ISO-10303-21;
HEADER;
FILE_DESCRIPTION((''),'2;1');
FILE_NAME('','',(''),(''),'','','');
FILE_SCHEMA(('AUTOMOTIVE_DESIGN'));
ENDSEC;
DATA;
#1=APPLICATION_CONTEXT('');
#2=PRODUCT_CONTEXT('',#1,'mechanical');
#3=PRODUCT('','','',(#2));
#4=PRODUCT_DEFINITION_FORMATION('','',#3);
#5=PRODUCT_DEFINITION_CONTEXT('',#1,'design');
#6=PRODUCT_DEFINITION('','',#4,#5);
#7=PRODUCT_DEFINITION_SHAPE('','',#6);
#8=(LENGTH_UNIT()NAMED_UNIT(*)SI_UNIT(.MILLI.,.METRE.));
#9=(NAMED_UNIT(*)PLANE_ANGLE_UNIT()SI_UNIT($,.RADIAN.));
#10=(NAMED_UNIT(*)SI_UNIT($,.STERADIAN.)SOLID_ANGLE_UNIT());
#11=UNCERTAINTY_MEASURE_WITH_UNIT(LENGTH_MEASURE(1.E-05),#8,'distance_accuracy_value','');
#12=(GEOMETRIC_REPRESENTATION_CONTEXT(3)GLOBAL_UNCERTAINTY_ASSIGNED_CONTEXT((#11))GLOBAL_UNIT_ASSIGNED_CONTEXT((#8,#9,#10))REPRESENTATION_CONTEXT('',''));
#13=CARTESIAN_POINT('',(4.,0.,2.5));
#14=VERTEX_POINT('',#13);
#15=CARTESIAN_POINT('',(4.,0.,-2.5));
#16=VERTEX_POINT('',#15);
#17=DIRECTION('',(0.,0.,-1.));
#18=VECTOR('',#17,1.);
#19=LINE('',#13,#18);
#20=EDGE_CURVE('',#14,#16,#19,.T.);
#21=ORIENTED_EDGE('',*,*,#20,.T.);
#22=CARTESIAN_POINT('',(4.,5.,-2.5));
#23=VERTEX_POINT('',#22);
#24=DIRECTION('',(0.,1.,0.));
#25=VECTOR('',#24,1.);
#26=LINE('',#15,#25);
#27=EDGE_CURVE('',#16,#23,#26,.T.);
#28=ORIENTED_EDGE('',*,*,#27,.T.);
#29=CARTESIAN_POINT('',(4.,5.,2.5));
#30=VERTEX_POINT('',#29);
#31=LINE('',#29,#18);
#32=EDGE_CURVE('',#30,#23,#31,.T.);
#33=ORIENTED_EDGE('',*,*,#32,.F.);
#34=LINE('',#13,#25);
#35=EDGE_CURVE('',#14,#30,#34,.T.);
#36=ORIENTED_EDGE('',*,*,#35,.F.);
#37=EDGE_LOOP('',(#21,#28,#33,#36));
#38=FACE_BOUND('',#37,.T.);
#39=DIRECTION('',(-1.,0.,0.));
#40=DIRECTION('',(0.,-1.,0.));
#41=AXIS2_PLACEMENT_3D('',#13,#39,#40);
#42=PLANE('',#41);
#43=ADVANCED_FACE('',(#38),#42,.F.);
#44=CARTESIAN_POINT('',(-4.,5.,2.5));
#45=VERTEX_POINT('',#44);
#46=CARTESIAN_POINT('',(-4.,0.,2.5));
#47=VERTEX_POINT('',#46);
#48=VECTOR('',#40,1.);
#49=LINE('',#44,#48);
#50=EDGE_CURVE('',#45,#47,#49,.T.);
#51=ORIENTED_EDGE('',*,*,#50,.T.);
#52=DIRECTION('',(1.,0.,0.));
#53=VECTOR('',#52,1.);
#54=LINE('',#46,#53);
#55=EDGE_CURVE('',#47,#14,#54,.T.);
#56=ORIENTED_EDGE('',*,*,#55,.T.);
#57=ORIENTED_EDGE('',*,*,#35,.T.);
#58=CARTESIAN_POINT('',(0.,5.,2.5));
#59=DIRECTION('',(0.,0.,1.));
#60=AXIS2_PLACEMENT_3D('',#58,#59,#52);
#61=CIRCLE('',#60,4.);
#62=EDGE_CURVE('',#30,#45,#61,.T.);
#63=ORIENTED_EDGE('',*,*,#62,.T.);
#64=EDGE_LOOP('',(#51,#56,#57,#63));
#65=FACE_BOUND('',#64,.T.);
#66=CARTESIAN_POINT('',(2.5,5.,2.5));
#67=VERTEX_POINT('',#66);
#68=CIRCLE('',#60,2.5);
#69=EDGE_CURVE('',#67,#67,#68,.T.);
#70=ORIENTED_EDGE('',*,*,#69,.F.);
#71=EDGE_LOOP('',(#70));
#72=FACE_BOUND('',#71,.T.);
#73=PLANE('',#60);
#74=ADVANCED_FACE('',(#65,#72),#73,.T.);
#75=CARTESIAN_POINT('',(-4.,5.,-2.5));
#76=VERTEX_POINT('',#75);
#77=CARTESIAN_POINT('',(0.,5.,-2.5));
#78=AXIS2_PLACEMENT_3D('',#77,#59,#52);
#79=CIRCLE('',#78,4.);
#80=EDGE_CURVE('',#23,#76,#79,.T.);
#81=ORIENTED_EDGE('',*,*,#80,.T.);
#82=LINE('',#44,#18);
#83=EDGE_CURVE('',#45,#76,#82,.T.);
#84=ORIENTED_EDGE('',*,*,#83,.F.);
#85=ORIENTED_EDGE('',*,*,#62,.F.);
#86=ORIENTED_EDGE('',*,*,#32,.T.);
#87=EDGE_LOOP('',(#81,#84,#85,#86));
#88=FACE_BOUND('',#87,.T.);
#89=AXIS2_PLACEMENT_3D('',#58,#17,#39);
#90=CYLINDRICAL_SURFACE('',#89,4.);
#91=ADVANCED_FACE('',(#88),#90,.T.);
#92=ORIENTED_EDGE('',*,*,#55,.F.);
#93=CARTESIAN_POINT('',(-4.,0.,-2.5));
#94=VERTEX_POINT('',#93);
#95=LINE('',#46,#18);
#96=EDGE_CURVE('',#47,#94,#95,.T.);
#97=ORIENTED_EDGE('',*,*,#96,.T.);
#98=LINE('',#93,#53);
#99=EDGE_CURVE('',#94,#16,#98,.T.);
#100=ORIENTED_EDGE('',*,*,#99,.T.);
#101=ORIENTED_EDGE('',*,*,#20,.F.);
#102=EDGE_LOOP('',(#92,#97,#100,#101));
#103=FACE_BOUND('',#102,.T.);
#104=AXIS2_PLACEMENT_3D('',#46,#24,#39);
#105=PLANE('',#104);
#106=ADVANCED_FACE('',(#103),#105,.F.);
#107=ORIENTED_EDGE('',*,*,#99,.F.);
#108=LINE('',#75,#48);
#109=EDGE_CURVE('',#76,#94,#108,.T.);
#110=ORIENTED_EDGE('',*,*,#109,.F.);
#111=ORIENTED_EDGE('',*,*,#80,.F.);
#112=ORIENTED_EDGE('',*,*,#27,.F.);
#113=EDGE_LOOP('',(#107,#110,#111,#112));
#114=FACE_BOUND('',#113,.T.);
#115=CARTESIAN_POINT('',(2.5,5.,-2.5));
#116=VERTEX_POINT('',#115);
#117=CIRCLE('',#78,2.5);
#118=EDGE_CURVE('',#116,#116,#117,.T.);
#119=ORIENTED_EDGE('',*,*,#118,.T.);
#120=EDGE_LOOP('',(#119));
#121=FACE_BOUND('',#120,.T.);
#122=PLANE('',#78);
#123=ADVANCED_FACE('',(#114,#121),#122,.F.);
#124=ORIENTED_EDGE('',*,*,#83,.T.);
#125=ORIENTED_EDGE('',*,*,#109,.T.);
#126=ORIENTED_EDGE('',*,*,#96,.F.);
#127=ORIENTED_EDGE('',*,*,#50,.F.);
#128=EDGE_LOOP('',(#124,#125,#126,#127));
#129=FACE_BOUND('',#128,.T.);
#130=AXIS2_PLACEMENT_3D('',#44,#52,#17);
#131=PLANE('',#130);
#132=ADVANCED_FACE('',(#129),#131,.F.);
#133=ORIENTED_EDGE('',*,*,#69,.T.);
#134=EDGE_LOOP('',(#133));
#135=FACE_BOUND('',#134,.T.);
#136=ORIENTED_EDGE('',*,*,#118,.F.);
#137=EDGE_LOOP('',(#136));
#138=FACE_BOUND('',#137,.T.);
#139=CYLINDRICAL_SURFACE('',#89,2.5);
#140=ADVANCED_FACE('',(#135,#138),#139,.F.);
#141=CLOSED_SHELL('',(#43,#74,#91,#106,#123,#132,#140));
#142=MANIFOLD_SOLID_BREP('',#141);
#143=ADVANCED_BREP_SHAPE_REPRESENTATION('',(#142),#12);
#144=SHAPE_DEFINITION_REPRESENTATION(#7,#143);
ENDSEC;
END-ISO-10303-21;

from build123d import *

# Parameters (mm, degrees)
SKETCH1_R           = 2.5
BOSS_EXTRUDE1_DEPTH = 2.5


with BuildPart() as part:
    # Sketch1 → Boss-Extrude1 (new, symmetric)
    with BuildSketch(Plane.XY):
        with BuildLine():
            Line((-4, 0), (4, 0))
            Line((4, 0), (4, 5))
            ThreePointArc((4, 5), (0, 9), (-4, 5))
            Line((-4, 5), (-4, 0))
        make_face()
        with Locations((0, 5)):
            Circle(SKETCH1_R, mode=Mode.SUBTRACT)
    extrude(amount=BOSS_EXTRUDE1_DEPTH, both=True)


solid = part.part
